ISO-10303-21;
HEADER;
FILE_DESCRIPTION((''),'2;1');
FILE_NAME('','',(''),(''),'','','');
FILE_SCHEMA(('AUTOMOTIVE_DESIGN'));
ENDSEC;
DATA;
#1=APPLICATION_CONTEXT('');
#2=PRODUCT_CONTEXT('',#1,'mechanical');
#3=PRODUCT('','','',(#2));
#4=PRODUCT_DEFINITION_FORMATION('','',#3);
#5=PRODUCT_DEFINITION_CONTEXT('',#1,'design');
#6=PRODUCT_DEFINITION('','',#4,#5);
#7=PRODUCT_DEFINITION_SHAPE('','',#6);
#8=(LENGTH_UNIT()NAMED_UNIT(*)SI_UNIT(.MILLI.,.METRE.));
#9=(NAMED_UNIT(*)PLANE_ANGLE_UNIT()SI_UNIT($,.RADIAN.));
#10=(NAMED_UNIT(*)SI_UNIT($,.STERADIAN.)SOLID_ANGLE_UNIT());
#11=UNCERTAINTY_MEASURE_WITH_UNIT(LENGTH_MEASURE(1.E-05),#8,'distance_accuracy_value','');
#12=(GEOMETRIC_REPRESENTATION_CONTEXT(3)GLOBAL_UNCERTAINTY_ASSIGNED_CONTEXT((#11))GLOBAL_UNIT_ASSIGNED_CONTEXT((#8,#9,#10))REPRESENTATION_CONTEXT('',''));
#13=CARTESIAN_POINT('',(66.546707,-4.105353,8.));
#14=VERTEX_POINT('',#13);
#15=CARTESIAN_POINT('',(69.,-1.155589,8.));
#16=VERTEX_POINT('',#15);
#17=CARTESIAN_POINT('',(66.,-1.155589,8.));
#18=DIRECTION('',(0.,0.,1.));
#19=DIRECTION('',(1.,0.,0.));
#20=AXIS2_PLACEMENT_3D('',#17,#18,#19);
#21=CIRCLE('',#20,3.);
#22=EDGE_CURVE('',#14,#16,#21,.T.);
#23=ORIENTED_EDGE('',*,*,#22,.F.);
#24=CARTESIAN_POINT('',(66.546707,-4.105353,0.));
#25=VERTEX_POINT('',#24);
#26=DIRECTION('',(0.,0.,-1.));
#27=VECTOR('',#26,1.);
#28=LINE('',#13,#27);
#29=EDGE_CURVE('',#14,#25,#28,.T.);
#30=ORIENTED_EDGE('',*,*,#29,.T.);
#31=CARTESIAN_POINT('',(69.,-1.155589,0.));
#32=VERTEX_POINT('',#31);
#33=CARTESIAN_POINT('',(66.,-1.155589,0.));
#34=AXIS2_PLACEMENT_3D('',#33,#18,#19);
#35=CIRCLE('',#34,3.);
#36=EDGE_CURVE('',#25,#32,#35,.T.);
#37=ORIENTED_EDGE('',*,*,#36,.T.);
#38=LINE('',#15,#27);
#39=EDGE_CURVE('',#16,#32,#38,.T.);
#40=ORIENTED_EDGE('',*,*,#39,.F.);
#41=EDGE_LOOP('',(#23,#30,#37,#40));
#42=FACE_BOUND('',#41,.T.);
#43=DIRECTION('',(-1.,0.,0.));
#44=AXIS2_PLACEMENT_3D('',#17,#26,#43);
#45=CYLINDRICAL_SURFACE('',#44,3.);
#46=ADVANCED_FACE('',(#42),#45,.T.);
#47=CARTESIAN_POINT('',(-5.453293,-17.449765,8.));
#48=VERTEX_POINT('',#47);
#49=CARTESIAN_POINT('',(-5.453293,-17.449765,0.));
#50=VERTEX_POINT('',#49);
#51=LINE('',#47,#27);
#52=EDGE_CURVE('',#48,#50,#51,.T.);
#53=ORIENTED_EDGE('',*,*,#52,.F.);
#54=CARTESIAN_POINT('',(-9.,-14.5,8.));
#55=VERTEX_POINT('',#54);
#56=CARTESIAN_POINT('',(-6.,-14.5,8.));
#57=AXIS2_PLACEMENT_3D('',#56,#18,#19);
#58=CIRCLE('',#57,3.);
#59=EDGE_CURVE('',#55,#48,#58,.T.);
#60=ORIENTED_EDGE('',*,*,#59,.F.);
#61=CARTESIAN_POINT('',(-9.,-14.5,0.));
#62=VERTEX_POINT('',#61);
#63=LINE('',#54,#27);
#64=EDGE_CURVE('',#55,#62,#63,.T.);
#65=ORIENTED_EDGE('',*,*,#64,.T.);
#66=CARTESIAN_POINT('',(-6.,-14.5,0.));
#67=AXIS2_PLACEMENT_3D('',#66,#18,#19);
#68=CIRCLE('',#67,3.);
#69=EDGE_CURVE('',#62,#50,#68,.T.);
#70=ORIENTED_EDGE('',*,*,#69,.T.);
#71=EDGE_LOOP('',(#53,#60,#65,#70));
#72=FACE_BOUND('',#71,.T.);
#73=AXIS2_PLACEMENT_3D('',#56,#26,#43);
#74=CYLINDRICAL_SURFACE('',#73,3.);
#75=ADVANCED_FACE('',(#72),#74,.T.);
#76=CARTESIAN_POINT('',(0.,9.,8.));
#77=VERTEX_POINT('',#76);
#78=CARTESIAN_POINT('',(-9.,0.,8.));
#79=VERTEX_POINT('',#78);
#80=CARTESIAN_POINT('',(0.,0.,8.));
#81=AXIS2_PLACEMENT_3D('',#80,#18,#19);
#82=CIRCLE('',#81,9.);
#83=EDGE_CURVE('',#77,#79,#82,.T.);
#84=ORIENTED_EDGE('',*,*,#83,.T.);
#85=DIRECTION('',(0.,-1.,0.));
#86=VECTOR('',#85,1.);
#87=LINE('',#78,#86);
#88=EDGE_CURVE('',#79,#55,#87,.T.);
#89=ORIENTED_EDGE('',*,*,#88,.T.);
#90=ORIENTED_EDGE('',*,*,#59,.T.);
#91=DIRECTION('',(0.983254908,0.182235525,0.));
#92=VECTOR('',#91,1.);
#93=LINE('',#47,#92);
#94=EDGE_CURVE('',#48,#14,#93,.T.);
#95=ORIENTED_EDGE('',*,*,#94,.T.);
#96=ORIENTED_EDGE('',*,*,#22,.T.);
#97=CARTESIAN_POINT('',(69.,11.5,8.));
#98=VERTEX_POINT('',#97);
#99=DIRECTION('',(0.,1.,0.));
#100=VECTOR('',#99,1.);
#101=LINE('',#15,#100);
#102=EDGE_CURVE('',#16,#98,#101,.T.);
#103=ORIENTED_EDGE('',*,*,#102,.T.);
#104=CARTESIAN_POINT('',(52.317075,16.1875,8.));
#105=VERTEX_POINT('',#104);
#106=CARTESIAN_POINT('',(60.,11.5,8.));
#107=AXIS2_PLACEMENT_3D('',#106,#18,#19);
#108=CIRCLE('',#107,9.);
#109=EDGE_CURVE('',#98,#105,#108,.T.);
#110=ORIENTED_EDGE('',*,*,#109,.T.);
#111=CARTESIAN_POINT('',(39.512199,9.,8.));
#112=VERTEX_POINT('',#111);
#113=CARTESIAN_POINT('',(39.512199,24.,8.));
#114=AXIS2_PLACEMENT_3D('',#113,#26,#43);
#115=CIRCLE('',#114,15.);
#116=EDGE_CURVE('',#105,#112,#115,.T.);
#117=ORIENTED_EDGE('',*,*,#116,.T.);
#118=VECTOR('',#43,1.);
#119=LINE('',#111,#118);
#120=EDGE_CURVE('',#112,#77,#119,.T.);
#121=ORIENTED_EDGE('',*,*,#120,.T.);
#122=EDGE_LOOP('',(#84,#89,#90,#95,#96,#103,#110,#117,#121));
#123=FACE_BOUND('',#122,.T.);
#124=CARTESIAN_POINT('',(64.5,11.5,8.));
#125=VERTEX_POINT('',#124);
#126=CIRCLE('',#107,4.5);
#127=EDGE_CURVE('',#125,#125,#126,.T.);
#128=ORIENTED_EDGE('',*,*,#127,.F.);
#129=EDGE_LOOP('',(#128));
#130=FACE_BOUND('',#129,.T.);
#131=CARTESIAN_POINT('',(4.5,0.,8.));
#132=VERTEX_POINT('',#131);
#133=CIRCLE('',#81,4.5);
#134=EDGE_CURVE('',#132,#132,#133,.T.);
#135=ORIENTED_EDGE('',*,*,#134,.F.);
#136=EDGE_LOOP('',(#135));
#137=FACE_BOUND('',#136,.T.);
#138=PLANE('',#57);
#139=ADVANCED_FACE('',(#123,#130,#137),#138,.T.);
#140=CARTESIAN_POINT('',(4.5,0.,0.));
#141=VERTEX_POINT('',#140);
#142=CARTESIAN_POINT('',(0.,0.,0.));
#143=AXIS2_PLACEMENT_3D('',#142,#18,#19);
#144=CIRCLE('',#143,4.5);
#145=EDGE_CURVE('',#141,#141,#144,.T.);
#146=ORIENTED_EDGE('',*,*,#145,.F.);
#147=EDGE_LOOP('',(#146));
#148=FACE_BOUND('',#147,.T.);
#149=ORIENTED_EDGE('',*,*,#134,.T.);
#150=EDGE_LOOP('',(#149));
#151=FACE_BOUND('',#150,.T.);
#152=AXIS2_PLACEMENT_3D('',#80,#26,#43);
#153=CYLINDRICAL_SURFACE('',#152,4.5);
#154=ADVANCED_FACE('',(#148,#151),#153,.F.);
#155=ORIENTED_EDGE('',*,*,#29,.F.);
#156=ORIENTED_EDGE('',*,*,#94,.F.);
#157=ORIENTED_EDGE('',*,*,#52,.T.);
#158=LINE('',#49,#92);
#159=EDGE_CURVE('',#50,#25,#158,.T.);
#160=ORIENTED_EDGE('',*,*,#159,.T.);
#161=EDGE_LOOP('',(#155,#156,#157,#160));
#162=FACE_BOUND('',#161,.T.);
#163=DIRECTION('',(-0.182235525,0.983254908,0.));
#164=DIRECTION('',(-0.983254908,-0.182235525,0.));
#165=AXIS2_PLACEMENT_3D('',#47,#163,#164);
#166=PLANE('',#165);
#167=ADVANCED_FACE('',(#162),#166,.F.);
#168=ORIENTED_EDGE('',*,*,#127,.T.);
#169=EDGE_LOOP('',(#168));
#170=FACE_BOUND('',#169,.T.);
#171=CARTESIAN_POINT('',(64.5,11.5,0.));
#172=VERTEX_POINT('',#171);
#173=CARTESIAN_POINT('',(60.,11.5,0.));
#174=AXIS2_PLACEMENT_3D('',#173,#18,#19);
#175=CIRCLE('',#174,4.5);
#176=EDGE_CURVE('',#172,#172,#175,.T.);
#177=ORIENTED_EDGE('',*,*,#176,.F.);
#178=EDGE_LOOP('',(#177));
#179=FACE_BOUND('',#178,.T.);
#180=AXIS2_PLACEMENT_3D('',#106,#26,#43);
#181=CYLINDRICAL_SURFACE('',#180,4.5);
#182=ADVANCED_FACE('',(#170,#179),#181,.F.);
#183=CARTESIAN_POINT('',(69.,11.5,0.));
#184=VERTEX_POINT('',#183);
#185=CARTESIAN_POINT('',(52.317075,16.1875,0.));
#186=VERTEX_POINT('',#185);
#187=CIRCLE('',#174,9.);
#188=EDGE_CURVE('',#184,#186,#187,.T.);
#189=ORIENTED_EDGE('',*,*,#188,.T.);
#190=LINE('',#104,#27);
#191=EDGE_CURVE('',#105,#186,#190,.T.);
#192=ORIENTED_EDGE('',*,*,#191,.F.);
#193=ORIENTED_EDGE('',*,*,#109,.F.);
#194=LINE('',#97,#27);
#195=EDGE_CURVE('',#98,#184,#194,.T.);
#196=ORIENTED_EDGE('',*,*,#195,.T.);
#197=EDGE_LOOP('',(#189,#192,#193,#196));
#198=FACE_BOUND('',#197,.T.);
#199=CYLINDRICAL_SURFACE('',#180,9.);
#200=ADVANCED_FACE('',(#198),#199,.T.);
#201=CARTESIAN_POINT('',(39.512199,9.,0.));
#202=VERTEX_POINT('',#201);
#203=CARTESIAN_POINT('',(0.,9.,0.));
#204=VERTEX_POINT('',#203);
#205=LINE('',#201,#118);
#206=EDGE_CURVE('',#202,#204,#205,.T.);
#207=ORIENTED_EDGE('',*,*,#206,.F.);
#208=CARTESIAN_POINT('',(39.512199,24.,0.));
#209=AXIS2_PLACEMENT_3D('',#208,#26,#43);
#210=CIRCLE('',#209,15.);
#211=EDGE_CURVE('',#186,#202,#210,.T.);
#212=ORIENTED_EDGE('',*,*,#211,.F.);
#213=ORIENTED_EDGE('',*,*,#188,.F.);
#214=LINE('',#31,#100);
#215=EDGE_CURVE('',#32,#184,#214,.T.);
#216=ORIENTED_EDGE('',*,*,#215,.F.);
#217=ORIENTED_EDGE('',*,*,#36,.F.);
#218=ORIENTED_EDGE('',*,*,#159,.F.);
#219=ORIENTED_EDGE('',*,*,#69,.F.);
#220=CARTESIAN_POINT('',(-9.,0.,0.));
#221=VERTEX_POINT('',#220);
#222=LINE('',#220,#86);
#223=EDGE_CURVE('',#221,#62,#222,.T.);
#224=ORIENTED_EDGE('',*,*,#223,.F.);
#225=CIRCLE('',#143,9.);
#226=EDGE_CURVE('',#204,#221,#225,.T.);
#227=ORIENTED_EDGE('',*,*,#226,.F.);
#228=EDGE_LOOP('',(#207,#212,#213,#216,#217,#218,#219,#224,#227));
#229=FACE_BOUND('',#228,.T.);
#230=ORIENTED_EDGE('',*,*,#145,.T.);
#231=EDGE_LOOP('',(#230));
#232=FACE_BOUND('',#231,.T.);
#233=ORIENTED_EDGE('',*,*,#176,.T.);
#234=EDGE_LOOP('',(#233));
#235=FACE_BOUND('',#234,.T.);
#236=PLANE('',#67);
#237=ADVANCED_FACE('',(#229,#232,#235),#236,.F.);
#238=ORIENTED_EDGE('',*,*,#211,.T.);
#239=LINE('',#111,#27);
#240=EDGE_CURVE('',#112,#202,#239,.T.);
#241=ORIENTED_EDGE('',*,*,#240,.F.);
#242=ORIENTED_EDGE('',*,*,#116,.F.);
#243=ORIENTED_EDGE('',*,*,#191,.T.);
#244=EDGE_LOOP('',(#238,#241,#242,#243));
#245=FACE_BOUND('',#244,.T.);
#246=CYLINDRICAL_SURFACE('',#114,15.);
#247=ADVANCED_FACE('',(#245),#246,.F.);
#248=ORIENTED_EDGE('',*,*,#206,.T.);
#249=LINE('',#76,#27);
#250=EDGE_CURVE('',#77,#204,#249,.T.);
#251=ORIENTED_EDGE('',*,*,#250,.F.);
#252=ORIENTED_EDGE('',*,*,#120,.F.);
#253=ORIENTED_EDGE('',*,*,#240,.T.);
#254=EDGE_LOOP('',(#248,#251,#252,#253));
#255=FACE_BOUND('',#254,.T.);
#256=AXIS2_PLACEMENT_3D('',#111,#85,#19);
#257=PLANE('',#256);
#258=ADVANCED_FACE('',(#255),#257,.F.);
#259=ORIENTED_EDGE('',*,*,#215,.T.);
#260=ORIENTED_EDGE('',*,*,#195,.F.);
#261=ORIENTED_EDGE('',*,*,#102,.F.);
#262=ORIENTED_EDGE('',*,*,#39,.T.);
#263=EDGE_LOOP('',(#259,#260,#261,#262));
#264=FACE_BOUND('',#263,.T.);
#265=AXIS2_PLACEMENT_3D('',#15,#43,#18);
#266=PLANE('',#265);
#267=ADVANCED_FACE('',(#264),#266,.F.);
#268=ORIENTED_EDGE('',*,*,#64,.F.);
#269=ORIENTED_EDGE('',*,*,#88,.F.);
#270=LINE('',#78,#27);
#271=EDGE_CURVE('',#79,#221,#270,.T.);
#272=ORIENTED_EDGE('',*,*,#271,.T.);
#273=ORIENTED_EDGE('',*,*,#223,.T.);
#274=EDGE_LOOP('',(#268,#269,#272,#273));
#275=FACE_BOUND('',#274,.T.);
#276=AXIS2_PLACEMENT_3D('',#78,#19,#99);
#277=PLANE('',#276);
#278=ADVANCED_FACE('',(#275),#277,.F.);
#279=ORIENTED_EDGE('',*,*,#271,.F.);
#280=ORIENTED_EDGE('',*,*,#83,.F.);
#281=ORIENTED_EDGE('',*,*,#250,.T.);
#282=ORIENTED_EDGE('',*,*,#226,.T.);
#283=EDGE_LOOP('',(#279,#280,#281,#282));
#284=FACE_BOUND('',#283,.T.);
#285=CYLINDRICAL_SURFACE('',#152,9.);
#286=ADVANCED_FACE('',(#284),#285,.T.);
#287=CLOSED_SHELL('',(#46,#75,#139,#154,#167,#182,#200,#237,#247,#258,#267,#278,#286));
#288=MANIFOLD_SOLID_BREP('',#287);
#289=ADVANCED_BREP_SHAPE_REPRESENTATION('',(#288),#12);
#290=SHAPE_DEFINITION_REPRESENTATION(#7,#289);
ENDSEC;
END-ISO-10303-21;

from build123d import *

# Parameters (mm, degrees)
SKETCH1_R      = 4.5
EXTRUDE1_DEPTH = 8


with BuildPart() as part:
    # Sketch1 → Extrude1 (new body)
    with BuildSketch(Plane.XY):
        with BuildLine():
            Line((-9, 0), (-9, -14.5))
            ThreePointArc((-9, -14.5), (-7.918317006, -16.806525496), (-5.453293424, -17.449764723))
            Line((-5.453293424, -17.449764723), (66.546706576, -4.105353488))
            ThreePointArc((66.546706576, -4.105353488), (68.306525496, -3.073905771), (69, -1.155588765))
            Line((69, -1.155588765), (69, 11.5))
            ThreePointArc((69, 11.5), (62.434509272, 20.164477169), (52.317074532, 16.1875))
            ThreePointArc((52.317074532, 16.1875), (46.854286329, 10.91971904), (39.512198751, 9))
            Line((39.512198751, 9), (0, 9))
            ThreePointArc((0, 9), (-6.363961031, 6.363961031), (-9, 0))
        make_face()
        Circle(SKETCH1_R, mode=Mode.SUBTRACT)
        with Locations((60, 11.5)):
            Circle(SKETCH1_R, mode=Mode.SUBTRACT)
    extrude(amount=EXTRUDE1_DEPTH)


solid = part.part
